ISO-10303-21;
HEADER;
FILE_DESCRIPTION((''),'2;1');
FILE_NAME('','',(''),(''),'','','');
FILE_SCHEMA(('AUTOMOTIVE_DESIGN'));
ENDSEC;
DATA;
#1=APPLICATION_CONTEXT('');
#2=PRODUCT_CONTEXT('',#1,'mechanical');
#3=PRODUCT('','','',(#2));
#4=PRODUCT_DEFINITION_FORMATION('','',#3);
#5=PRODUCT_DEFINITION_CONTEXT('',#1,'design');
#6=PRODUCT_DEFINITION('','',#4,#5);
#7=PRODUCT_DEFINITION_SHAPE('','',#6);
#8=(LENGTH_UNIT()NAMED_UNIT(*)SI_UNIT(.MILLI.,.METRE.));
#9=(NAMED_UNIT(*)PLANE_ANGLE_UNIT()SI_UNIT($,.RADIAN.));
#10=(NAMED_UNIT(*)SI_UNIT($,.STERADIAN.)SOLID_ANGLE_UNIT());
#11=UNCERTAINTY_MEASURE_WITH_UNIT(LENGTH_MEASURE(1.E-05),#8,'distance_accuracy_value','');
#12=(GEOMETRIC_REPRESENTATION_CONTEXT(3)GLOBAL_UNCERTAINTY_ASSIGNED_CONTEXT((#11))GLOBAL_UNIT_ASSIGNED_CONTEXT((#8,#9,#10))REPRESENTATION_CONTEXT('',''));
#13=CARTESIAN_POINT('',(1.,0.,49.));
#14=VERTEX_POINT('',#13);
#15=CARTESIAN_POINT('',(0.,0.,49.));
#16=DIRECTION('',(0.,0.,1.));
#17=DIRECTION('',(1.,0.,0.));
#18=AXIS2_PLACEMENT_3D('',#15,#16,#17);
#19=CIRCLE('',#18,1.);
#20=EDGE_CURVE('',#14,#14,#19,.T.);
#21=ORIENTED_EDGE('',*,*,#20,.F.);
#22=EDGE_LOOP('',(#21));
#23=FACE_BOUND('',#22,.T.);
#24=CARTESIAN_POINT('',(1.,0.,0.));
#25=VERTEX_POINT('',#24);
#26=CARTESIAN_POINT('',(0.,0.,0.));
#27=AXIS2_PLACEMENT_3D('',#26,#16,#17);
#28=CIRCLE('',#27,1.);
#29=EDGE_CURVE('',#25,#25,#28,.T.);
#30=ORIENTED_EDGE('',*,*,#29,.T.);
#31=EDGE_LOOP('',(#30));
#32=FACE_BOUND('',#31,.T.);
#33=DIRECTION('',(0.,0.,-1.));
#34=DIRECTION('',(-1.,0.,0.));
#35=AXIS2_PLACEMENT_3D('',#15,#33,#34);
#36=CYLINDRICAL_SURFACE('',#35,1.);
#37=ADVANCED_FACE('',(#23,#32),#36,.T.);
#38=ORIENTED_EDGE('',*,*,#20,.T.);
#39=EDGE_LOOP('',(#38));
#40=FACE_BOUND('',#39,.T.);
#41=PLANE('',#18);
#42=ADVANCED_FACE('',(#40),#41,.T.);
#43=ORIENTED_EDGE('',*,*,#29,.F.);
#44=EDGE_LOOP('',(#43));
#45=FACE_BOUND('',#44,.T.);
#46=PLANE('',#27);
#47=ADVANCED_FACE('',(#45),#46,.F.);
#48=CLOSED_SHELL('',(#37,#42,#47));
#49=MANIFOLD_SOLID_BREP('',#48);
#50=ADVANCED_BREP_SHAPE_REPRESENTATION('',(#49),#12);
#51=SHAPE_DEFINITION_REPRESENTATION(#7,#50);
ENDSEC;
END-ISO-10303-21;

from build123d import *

# Parameters (mm, degrees)
ESQUISSE1_R        = 1
BOSS_EXTRU_1_DEPTH = 49


with BuildPart() as part:
    # Esquisse1 → Boss.-Extru.1 (new body)
    with BuildSketch(Plane.XY):
        Circle(ESQUISSE1_R)
    extrude(amount=BOSS_EXTRU_1_DEPTH)


solid = part.part
